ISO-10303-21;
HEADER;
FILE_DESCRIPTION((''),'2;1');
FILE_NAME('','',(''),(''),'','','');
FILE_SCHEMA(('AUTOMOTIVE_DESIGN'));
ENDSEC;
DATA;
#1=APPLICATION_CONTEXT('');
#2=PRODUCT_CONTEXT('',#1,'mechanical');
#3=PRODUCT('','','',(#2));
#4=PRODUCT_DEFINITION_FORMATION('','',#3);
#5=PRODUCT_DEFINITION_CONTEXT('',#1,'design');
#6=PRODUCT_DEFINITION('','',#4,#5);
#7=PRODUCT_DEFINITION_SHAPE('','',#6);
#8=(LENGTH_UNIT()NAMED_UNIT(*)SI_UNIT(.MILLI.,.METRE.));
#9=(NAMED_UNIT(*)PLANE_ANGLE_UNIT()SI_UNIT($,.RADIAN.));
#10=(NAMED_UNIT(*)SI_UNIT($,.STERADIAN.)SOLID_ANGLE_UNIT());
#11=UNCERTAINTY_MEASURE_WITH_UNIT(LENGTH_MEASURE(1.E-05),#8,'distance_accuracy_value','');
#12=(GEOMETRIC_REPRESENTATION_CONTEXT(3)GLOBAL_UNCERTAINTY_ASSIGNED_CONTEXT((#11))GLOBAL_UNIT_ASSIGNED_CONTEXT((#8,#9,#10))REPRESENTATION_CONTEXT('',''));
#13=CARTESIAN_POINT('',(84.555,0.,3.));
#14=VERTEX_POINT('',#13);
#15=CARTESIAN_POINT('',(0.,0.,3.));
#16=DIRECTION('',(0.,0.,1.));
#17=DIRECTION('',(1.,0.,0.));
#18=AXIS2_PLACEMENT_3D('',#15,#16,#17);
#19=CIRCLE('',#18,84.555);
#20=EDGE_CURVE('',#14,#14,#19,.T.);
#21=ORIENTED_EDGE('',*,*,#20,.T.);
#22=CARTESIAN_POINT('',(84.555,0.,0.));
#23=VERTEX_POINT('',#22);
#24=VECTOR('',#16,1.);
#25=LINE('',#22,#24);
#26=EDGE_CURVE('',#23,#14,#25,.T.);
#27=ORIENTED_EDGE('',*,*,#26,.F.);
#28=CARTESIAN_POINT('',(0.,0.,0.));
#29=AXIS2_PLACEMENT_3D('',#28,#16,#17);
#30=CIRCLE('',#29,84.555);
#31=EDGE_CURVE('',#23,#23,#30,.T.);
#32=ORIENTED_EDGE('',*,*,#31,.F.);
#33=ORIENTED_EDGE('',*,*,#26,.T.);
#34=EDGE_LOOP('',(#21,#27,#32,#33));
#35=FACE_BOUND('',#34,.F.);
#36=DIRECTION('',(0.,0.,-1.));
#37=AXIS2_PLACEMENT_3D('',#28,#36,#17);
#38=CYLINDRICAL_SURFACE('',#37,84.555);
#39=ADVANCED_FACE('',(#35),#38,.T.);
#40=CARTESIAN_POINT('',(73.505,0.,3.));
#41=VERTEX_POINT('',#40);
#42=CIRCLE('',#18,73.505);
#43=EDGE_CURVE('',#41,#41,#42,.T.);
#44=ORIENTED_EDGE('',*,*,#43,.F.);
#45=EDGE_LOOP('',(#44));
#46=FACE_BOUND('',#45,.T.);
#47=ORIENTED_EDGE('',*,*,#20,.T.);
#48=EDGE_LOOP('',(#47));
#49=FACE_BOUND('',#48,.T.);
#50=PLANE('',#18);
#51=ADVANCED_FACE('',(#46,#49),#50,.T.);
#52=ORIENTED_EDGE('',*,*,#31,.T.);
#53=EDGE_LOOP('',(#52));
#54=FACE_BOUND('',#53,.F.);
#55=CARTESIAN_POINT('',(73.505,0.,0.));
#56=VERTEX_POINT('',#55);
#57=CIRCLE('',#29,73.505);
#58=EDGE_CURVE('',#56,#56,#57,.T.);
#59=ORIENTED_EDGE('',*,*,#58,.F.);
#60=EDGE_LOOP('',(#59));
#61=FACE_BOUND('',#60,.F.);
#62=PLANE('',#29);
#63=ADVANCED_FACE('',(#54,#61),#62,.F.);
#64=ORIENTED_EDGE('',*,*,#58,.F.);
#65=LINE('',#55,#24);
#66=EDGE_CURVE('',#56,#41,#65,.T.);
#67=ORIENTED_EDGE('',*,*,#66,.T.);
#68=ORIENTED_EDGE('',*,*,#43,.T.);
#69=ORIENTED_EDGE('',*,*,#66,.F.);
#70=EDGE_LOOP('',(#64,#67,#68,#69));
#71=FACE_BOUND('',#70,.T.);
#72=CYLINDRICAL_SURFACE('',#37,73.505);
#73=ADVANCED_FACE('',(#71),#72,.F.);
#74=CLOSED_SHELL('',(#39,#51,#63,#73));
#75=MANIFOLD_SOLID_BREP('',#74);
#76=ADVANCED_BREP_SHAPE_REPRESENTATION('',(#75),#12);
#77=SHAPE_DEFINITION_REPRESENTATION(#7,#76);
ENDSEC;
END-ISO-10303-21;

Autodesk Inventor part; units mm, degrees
ref_plane "YZ Plane" through (0, 0, 0) normal (1, 0, 0) x (0, 1, 0)
ref_plane "XZ Plane" through (0, 0, 0) normal (0, 1, 0) x (-1, 0, 0)
ref_plane "XY Plane" through (0, 0, 0) normal (0, 0, 1) x (1, 0, 0)
sketch "Sketch1" plane through (0, 0, 0) normal (0, 0, 1) x (1, 0, 0)
  circle A0 centre (0, 0) radius 73.505
  circle A1 centre (0, 0) radius 84.555
  dimension "d2" = 147.01
  dimension "d3" = 169.11
extrude "Extrusion1" add sketch "Sketch1" along normal blind 3
properties part number "outer bracket" material "Stainless Steel"
